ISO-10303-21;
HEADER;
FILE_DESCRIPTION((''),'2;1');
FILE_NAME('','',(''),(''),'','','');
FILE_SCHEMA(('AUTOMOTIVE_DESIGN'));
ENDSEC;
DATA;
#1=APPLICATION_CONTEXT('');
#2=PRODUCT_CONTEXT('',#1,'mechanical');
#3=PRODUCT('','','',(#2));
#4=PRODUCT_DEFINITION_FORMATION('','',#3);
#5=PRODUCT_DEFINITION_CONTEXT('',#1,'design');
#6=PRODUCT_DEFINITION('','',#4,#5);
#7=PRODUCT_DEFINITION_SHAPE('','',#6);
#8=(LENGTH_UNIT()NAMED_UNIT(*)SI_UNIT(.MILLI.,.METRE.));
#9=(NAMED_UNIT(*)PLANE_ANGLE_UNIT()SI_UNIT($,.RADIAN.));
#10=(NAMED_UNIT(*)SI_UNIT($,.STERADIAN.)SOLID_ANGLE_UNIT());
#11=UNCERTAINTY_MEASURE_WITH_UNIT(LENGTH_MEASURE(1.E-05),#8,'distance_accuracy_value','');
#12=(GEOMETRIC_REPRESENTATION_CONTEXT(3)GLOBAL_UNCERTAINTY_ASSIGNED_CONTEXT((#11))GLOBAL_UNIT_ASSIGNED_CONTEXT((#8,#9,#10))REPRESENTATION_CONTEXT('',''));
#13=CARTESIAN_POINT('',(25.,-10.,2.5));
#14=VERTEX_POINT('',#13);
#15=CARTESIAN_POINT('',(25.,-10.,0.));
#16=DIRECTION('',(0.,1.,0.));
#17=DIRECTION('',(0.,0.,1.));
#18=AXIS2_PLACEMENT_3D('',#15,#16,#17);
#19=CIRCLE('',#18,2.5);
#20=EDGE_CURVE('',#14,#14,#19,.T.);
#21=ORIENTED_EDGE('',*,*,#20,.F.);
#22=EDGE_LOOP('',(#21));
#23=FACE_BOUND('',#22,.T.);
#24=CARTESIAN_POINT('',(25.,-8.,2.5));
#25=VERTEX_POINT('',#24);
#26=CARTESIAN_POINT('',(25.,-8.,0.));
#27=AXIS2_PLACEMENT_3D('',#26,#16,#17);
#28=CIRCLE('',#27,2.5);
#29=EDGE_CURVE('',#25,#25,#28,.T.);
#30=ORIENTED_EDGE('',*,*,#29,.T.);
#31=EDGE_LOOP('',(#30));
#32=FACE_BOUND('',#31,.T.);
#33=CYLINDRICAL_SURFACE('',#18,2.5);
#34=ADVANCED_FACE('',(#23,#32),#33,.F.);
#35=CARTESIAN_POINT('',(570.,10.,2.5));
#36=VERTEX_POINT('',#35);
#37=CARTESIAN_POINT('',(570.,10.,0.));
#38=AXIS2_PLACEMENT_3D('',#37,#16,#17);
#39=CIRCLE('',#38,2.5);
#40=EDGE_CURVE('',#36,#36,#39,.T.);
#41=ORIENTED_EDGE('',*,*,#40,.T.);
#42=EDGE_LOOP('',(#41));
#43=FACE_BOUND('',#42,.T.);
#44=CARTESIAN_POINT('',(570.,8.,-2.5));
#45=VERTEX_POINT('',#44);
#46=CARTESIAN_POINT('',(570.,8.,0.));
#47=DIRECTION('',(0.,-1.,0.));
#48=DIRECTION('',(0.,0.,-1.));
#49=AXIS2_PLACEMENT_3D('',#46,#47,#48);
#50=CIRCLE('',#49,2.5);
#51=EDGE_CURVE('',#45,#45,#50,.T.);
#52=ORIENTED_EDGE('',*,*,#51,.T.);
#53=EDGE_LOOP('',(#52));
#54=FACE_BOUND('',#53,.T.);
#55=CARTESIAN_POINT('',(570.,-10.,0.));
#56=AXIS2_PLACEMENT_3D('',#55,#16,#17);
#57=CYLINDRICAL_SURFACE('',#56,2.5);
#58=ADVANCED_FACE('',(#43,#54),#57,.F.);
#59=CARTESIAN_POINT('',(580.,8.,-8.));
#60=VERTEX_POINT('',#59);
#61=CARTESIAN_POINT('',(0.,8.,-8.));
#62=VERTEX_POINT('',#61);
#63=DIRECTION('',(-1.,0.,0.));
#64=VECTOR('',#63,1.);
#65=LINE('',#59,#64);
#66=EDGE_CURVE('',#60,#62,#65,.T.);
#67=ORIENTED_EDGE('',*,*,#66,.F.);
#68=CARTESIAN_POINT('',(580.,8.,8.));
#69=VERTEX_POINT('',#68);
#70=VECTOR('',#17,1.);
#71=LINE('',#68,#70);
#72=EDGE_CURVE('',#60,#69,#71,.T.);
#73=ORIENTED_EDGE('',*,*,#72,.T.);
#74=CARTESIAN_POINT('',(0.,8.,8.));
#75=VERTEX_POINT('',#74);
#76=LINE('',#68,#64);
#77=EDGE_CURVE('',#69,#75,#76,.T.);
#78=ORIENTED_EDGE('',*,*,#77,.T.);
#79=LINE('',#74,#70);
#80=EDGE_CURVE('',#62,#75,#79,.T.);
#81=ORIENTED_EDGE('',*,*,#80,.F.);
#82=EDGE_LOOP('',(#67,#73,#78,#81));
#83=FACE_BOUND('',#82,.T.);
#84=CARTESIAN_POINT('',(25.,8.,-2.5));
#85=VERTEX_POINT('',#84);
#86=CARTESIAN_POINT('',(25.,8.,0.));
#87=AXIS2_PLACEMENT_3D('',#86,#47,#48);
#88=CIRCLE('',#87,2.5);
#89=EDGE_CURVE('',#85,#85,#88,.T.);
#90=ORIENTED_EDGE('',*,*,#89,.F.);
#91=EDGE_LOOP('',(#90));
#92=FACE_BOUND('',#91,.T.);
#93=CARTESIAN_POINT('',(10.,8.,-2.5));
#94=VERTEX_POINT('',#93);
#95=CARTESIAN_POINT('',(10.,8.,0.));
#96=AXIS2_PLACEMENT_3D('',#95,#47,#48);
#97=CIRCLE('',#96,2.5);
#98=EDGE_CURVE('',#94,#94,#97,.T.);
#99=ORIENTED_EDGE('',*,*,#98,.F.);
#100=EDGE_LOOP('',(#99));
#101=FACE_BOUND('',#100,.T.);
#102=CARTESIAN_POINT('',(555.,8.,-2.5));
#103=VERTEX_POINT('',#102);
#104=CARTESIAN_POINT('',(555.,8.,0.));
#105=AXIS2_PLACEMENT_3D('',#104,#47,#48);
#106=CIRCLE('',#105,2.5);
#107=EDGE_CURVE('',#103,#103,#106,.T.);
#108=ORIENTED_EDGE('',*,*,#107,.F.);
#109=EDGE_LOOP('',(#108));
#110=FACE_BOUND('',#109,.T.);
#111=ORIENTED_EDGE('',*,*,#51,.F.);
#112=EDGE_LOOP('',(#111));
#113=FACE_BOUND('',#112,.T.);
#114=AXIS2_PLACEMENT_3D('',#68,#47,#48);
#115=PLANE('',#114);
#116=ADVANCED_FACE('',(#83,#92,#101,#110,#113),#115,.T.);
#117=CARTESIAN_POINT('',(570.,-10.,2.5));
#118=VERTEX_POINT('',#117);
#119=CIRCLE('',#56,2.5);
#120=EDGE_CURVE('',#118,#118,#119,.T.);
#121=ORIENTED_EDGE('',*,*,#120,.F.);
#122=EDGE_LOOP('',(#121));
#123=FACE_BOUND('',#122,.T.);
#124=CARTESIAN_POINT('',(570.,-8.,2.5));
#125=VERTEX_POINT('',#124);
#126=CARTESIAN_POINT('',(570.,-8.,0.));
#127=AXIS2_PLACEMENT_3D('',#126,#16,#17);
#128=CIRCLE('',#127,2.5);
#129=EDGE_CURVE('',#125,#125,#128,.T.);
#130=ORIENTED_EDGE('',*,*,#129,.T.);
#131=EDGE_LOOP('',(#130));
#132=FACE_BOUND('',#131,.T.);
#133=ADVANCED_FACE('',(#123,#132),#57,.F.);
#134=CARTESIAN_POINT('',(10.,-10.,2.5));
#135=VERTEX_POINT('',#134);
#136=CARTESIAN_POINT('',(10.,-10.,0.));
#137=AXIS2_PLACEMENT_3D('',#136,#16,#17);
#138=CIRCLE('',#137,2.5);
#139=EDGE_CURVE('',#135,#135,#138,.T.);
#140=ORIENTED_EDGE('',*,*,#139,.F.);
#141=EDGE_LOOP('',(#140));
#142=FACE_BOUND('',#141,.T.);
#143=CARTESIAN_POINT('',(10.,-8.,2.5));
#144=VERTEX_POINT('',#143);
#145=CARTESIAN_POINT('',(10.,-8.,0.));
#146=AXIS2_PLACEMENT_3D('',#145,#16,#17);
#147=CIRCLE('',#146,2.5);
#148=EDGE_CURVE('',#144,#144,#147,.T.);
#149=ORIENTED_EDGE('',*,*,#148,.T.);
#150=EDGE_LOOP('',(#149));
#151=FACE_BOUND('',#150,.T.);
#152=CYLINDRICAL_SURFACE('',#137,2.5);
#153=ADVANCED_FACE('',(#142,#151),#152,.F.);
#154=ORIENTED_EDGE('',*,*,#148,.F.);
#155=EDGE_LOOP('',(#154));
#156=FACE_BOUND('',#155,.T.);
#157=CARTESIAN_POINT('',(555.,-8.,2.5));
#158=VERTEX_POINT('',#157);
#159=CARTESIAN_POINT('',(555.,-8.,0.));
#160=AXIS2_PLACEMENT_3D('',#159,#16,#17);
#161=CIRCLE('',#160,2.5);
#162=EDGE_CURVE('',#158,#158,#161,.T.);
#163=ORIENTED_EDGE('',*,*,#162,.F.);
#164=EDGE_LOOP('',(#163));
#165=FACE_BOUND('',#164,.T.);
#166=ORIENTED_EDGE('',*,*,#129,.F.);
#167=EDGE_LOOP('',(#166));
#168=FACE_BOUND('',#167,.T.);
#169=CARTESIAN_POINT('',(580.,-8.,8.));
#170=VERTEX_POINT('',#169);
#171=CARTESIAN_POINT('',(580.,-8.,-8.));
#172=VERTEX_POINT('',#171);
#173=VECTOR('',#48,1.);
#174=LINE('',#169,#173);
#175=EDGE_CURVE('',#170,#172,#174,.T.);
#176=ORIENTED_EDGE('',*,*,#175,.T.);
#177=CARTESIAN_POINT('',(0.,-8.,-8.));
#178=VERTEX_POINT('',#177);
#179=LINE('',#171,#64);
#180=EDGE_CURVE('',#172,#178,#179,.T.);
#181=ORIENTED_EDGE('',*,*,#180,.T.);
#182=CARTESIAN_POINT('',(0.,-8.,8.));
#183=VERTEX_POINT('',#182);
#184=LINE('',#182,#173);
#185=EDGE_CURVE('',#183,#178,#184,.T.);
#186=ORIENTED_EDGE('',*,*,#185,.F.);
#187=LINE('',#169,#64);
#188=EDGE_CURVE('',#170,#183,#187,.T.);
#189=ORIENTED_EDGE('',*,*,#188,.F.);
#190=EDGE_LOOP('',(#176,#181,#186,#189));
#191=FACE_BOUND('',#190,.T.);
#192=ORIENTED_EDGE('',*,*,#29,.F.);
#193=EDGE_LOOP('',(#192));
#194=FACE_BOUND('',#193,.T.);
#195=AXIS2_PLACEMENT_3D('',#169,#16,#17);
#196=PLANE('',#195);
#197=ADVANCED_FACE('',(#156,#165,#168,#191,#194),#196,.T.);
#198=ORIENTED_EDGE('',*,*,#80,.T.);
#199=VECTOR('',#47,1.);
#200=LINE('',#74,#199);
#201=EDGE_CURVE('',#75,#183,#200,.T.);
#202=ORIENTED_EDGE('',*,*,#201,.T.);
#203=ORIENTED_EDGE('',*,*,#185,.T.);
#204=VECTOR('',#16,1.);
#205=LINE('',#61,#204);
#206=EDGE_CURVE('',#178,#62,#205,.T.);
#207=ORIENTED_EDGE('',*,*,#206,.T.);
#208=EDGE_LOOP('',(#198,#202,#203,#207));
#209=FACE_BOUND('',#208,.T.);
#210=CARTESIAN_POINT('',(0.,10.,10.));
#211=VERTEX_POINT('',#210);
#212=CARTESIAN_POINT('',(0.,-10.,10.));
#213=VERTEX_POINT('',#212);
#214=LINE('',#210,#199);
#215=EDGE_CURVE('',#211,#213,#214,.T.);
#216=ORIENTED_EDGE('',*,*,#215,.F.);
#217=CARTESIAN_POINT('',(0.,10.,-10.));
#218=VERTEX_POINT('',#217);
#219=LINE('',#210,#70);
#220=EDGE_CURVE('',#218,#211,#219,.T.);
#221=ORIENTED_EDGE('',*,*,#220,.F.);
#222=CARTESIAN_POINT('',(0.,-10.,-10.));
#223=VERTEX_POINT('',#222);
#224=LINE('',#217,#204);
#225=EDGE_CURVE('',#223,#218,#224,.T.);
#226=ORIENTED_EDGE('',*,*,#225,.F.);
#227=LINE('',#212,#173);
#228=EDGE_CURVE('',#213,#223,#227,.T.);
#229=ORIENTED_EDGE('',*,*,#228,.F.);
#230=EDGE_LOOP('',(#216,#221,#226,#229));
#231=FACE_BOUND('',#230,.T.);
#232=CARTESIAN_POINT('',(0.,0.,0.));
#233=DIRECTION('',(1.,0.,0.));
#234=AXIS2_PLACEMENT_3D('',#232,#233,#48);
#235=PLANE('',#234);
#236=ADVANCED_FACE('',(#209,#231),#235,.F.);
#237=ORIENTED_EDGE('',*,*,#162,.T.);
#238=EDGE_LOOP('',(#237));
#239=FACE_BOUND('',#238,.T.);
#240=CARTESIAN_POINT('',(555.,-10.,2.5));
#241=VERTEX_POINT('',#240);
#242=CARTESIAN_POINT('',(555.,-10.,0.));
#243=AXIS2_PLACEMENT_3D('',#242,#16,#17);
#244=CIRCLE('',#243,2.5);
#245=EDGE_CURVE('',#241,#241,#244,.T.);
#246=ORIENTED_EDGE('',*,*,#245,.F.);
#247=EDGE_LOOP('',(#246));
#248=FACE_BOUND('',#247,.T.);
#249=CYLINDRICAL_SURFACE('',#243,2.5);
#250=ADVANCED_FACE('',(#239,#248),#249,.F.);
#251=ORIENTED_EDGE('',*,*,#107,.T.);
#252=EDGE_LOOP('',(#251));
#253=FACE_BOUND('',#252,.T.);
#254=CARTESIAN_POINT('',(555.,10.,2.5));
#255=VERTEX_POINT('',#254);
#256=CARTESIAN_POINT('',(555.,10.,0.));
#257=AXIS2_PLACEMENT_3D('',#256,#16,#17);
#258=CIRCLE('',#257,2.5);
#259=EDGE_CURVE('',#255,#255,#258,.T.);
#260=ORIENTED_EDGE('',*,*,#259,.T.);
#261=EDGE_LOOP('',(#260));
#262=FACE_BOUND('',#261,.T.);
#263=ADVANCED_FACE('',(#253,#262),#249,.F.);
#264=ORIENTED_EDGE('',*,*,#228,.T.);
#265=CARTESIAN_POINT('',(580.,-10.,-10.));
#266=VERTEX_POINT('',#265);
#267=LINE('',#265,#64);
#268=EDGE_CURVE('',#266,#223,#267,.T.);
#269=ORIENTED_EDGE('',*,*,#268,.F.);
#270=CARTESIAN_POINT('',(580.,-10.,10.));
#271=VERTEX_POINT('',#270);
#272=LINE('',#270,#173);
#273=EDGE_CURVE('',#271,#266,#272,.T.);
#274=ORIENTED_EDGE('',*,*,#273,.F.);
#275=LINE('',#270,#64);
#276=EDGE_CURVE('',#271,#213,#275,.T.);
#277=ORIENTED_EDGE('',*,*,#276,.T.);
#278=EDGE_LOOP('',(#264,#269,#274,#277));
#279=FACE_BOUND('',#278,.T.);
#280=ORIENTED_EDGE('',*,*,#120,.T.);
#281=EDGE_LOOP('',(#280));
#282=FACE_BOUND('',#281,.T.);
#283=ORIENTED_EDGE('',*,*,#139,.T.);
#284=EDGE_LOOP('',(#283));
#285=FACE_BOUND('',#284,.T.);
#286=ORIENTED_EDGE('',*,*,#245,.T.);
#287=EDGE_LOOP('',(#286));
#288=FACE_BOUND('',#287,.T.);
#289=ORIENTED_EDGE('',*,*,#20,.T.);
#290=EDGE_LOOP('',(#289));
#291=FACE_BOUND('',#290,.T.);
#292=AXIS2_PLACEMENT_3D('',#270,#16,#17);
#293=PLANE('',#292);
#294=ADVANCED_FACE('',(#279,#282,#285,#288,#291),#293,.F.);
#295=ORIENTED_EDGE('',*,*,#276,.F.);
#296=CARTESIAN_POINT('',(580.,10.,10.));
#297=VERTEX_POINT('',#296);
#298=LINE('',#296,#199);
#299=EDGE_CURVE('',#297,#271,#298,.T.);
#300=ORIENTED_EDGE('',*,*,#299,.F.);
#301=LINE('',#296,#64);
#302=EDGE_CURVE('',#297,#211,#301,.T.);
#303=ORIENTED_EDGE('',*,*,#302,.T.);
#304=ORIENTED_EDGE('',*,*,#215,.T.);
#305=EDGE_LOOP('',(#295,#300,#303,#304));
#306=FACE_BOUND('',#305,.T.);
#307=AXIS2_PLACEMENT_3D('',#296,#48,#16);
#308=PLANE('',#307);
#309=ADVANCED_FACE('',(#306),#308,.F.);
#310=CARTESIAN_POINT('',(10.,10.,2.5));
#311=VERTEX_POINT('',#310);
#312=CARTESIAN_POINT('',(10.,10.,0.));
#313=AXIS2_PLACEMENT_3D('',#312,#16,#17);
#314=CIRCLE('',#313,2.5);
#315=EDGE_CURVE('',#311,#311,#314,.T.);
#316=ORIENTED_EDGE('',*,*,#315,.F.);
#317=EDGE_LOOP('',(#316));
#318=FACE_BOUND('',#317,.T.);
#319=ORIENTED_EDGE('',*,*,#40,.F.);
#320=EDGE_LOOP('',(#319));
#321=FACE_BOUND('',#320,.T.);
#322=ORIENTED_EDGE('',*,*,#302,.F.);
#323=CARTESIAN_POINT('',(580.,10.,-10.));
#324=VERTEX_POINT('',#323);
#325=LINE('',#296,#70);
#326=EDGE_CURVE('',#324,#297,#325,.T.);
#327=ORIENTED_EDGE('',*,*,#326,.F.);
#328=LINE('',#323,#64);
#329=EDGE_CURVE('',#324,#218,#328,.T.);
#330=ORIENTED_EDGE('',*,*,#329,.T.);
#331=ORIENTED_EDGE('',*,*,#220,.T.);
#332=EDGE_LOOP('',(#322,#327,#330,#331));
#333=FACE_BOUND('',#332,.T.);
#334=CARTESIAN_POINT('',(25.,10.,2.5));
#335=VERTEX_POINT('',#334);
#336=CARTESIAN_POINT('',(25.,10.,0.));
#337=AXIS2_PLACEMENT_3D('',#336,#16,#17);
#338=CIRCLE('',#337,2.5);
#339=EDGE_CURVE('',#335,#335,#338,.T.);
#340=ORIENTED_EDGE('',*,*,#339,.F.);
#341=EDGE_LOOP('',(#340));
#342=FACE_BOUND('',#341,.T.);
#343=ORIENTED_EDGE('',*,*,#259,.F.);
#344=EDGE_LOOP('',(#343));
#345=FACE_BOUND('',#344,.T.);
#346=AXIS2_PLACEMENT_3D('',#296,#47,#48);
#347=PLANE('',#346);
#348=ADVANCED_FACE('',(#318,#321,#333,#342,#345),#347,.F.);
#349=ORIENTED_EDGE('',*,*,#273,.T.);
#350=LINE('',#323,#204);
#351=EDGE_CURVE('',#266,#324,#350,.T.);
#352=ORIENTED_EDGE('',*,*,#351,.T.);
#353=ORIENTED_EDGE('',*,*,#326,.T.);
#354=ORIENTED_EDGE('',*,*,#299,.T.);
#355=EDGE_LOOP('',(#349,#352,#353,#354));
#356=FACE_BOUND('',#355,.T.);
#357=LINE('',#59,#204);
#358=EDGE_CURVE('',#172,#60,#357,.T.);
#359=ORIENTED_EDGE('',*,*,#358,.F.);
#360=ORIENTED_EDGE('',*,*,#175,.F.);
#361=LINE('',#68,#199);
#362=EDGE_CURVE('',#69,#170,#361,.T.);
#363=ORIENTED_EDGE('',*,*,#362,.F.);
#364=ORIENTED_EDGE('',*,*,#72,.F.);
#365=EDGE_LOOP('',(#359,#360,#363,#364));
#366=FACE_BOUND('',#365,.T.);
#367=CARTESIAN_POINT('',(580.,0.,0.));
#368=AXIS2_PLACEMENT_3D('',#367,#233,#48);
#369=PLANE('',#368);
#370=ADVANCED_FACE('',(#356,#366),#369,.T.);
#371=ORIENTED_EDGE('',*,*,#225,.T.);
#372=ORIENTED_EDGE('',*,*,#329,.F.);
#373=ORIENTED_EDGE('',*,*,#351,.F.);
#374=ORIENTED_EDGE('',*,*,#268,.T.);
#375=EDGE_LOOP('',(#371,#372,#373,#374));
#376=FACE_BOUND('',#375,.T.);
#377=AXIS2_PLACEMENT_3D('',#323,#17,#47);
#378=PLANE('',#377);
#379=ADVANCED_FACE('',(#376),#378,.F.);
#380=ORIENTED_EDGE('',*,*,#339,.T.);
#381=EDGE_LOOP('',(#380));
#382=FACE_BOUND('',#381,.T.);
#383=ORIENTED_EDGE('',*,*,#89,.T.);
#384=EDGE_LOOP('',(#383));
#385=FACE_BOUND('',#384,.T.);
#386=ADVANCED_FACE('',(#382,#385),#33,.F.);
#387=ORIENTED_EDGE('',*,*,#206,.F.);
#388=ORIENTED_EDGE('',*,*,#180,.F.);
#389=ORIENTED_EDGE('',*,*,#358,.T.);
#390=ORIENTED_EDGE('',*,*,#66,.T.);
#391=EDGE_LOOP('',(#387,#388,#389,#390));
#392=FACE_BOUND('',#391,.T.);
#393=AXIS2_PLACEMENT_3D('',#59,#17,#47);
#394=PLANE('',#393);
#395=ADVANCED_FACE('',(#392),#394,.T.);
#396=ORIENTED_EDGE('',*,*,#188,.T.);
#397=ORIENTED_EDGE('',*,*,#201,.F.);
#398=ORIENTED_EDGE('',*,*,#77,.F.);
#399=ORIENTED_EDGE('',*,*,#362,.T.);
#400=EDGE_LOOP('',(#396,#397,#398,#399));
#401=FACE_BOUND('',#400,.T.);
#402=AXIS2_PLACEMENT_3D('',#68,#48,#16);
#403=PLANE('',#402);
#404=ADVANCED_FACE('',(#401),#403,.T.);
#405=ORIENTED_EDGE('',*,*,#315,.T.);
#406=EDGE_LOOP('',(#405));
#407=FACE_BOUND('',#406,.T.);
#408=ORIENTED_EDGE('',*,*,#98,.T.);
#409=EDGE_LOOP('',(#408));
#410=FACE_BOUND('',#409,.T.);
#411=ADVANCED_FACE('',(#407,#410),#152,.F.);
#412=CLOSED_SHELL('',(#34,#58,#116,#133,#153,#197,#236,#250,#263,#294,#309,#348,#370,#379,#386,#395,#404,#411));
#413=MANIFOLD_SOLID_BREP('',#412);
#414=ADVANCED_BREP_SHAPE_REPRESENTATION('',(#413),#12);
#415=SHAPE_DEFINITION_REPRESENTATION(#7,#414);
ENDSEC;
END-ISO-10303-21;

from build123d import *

# Parameters (mm, degrees)
SKETCH1_W           = 20
SKETCH1_H           = 20
SKETCH1_W_2         = 16
SKETCH1_H_2         = 16
BOSS_EXTRUDE1_DEPTH = 580
SKETCH2_R           = 2.5
CUT_EXTRUDE1_DEPTH  = 581.430874437


with BuildPart() as part:
    # Sketch1 → Boss-Extrude1 (new body)
    with BuildSketch(Plane(origin=(0, 0, 0), x_dir=(0, 0, -1), z_dir=(1, 0, 0))):
        Rectangle(SKETCH1_W, SKETCH1_H)
        Rectangle(SKETCH1_W_2, SKETCH1_H_2, mode=Mode.SUBTRACT)
    extrude(amount=BOSS_EXTRUDE1_DEPTH)

    # Sketch2 → Cut-Extrude1 (cut, through all)
    with BuildSketch(Plane(origin=(0, 10, 0), x_dir=(1, 0, 0), z_dir=(0, 1, 0))):
        with Locations(Location((10, 0, 0), (0, 0, 270))):
            Circle(SKETCH2_R)
        with Locations(Location((570, 0, 0), (0, 0, 270))):
            Circle(SKETCH2_R)
        with Locations(Location((25, 0, 0), (0, 0, 270))):
            Circle(SKETCH2_R)
        with Locations(Location((555, 0, 0), (0, 0, 270))):
            Circle(SKETCH2_R)
    extrude(amount=-CUT_EXTRUDE1_DEPTH, mode=Mode.SUBTRACT)


solid = part.part
